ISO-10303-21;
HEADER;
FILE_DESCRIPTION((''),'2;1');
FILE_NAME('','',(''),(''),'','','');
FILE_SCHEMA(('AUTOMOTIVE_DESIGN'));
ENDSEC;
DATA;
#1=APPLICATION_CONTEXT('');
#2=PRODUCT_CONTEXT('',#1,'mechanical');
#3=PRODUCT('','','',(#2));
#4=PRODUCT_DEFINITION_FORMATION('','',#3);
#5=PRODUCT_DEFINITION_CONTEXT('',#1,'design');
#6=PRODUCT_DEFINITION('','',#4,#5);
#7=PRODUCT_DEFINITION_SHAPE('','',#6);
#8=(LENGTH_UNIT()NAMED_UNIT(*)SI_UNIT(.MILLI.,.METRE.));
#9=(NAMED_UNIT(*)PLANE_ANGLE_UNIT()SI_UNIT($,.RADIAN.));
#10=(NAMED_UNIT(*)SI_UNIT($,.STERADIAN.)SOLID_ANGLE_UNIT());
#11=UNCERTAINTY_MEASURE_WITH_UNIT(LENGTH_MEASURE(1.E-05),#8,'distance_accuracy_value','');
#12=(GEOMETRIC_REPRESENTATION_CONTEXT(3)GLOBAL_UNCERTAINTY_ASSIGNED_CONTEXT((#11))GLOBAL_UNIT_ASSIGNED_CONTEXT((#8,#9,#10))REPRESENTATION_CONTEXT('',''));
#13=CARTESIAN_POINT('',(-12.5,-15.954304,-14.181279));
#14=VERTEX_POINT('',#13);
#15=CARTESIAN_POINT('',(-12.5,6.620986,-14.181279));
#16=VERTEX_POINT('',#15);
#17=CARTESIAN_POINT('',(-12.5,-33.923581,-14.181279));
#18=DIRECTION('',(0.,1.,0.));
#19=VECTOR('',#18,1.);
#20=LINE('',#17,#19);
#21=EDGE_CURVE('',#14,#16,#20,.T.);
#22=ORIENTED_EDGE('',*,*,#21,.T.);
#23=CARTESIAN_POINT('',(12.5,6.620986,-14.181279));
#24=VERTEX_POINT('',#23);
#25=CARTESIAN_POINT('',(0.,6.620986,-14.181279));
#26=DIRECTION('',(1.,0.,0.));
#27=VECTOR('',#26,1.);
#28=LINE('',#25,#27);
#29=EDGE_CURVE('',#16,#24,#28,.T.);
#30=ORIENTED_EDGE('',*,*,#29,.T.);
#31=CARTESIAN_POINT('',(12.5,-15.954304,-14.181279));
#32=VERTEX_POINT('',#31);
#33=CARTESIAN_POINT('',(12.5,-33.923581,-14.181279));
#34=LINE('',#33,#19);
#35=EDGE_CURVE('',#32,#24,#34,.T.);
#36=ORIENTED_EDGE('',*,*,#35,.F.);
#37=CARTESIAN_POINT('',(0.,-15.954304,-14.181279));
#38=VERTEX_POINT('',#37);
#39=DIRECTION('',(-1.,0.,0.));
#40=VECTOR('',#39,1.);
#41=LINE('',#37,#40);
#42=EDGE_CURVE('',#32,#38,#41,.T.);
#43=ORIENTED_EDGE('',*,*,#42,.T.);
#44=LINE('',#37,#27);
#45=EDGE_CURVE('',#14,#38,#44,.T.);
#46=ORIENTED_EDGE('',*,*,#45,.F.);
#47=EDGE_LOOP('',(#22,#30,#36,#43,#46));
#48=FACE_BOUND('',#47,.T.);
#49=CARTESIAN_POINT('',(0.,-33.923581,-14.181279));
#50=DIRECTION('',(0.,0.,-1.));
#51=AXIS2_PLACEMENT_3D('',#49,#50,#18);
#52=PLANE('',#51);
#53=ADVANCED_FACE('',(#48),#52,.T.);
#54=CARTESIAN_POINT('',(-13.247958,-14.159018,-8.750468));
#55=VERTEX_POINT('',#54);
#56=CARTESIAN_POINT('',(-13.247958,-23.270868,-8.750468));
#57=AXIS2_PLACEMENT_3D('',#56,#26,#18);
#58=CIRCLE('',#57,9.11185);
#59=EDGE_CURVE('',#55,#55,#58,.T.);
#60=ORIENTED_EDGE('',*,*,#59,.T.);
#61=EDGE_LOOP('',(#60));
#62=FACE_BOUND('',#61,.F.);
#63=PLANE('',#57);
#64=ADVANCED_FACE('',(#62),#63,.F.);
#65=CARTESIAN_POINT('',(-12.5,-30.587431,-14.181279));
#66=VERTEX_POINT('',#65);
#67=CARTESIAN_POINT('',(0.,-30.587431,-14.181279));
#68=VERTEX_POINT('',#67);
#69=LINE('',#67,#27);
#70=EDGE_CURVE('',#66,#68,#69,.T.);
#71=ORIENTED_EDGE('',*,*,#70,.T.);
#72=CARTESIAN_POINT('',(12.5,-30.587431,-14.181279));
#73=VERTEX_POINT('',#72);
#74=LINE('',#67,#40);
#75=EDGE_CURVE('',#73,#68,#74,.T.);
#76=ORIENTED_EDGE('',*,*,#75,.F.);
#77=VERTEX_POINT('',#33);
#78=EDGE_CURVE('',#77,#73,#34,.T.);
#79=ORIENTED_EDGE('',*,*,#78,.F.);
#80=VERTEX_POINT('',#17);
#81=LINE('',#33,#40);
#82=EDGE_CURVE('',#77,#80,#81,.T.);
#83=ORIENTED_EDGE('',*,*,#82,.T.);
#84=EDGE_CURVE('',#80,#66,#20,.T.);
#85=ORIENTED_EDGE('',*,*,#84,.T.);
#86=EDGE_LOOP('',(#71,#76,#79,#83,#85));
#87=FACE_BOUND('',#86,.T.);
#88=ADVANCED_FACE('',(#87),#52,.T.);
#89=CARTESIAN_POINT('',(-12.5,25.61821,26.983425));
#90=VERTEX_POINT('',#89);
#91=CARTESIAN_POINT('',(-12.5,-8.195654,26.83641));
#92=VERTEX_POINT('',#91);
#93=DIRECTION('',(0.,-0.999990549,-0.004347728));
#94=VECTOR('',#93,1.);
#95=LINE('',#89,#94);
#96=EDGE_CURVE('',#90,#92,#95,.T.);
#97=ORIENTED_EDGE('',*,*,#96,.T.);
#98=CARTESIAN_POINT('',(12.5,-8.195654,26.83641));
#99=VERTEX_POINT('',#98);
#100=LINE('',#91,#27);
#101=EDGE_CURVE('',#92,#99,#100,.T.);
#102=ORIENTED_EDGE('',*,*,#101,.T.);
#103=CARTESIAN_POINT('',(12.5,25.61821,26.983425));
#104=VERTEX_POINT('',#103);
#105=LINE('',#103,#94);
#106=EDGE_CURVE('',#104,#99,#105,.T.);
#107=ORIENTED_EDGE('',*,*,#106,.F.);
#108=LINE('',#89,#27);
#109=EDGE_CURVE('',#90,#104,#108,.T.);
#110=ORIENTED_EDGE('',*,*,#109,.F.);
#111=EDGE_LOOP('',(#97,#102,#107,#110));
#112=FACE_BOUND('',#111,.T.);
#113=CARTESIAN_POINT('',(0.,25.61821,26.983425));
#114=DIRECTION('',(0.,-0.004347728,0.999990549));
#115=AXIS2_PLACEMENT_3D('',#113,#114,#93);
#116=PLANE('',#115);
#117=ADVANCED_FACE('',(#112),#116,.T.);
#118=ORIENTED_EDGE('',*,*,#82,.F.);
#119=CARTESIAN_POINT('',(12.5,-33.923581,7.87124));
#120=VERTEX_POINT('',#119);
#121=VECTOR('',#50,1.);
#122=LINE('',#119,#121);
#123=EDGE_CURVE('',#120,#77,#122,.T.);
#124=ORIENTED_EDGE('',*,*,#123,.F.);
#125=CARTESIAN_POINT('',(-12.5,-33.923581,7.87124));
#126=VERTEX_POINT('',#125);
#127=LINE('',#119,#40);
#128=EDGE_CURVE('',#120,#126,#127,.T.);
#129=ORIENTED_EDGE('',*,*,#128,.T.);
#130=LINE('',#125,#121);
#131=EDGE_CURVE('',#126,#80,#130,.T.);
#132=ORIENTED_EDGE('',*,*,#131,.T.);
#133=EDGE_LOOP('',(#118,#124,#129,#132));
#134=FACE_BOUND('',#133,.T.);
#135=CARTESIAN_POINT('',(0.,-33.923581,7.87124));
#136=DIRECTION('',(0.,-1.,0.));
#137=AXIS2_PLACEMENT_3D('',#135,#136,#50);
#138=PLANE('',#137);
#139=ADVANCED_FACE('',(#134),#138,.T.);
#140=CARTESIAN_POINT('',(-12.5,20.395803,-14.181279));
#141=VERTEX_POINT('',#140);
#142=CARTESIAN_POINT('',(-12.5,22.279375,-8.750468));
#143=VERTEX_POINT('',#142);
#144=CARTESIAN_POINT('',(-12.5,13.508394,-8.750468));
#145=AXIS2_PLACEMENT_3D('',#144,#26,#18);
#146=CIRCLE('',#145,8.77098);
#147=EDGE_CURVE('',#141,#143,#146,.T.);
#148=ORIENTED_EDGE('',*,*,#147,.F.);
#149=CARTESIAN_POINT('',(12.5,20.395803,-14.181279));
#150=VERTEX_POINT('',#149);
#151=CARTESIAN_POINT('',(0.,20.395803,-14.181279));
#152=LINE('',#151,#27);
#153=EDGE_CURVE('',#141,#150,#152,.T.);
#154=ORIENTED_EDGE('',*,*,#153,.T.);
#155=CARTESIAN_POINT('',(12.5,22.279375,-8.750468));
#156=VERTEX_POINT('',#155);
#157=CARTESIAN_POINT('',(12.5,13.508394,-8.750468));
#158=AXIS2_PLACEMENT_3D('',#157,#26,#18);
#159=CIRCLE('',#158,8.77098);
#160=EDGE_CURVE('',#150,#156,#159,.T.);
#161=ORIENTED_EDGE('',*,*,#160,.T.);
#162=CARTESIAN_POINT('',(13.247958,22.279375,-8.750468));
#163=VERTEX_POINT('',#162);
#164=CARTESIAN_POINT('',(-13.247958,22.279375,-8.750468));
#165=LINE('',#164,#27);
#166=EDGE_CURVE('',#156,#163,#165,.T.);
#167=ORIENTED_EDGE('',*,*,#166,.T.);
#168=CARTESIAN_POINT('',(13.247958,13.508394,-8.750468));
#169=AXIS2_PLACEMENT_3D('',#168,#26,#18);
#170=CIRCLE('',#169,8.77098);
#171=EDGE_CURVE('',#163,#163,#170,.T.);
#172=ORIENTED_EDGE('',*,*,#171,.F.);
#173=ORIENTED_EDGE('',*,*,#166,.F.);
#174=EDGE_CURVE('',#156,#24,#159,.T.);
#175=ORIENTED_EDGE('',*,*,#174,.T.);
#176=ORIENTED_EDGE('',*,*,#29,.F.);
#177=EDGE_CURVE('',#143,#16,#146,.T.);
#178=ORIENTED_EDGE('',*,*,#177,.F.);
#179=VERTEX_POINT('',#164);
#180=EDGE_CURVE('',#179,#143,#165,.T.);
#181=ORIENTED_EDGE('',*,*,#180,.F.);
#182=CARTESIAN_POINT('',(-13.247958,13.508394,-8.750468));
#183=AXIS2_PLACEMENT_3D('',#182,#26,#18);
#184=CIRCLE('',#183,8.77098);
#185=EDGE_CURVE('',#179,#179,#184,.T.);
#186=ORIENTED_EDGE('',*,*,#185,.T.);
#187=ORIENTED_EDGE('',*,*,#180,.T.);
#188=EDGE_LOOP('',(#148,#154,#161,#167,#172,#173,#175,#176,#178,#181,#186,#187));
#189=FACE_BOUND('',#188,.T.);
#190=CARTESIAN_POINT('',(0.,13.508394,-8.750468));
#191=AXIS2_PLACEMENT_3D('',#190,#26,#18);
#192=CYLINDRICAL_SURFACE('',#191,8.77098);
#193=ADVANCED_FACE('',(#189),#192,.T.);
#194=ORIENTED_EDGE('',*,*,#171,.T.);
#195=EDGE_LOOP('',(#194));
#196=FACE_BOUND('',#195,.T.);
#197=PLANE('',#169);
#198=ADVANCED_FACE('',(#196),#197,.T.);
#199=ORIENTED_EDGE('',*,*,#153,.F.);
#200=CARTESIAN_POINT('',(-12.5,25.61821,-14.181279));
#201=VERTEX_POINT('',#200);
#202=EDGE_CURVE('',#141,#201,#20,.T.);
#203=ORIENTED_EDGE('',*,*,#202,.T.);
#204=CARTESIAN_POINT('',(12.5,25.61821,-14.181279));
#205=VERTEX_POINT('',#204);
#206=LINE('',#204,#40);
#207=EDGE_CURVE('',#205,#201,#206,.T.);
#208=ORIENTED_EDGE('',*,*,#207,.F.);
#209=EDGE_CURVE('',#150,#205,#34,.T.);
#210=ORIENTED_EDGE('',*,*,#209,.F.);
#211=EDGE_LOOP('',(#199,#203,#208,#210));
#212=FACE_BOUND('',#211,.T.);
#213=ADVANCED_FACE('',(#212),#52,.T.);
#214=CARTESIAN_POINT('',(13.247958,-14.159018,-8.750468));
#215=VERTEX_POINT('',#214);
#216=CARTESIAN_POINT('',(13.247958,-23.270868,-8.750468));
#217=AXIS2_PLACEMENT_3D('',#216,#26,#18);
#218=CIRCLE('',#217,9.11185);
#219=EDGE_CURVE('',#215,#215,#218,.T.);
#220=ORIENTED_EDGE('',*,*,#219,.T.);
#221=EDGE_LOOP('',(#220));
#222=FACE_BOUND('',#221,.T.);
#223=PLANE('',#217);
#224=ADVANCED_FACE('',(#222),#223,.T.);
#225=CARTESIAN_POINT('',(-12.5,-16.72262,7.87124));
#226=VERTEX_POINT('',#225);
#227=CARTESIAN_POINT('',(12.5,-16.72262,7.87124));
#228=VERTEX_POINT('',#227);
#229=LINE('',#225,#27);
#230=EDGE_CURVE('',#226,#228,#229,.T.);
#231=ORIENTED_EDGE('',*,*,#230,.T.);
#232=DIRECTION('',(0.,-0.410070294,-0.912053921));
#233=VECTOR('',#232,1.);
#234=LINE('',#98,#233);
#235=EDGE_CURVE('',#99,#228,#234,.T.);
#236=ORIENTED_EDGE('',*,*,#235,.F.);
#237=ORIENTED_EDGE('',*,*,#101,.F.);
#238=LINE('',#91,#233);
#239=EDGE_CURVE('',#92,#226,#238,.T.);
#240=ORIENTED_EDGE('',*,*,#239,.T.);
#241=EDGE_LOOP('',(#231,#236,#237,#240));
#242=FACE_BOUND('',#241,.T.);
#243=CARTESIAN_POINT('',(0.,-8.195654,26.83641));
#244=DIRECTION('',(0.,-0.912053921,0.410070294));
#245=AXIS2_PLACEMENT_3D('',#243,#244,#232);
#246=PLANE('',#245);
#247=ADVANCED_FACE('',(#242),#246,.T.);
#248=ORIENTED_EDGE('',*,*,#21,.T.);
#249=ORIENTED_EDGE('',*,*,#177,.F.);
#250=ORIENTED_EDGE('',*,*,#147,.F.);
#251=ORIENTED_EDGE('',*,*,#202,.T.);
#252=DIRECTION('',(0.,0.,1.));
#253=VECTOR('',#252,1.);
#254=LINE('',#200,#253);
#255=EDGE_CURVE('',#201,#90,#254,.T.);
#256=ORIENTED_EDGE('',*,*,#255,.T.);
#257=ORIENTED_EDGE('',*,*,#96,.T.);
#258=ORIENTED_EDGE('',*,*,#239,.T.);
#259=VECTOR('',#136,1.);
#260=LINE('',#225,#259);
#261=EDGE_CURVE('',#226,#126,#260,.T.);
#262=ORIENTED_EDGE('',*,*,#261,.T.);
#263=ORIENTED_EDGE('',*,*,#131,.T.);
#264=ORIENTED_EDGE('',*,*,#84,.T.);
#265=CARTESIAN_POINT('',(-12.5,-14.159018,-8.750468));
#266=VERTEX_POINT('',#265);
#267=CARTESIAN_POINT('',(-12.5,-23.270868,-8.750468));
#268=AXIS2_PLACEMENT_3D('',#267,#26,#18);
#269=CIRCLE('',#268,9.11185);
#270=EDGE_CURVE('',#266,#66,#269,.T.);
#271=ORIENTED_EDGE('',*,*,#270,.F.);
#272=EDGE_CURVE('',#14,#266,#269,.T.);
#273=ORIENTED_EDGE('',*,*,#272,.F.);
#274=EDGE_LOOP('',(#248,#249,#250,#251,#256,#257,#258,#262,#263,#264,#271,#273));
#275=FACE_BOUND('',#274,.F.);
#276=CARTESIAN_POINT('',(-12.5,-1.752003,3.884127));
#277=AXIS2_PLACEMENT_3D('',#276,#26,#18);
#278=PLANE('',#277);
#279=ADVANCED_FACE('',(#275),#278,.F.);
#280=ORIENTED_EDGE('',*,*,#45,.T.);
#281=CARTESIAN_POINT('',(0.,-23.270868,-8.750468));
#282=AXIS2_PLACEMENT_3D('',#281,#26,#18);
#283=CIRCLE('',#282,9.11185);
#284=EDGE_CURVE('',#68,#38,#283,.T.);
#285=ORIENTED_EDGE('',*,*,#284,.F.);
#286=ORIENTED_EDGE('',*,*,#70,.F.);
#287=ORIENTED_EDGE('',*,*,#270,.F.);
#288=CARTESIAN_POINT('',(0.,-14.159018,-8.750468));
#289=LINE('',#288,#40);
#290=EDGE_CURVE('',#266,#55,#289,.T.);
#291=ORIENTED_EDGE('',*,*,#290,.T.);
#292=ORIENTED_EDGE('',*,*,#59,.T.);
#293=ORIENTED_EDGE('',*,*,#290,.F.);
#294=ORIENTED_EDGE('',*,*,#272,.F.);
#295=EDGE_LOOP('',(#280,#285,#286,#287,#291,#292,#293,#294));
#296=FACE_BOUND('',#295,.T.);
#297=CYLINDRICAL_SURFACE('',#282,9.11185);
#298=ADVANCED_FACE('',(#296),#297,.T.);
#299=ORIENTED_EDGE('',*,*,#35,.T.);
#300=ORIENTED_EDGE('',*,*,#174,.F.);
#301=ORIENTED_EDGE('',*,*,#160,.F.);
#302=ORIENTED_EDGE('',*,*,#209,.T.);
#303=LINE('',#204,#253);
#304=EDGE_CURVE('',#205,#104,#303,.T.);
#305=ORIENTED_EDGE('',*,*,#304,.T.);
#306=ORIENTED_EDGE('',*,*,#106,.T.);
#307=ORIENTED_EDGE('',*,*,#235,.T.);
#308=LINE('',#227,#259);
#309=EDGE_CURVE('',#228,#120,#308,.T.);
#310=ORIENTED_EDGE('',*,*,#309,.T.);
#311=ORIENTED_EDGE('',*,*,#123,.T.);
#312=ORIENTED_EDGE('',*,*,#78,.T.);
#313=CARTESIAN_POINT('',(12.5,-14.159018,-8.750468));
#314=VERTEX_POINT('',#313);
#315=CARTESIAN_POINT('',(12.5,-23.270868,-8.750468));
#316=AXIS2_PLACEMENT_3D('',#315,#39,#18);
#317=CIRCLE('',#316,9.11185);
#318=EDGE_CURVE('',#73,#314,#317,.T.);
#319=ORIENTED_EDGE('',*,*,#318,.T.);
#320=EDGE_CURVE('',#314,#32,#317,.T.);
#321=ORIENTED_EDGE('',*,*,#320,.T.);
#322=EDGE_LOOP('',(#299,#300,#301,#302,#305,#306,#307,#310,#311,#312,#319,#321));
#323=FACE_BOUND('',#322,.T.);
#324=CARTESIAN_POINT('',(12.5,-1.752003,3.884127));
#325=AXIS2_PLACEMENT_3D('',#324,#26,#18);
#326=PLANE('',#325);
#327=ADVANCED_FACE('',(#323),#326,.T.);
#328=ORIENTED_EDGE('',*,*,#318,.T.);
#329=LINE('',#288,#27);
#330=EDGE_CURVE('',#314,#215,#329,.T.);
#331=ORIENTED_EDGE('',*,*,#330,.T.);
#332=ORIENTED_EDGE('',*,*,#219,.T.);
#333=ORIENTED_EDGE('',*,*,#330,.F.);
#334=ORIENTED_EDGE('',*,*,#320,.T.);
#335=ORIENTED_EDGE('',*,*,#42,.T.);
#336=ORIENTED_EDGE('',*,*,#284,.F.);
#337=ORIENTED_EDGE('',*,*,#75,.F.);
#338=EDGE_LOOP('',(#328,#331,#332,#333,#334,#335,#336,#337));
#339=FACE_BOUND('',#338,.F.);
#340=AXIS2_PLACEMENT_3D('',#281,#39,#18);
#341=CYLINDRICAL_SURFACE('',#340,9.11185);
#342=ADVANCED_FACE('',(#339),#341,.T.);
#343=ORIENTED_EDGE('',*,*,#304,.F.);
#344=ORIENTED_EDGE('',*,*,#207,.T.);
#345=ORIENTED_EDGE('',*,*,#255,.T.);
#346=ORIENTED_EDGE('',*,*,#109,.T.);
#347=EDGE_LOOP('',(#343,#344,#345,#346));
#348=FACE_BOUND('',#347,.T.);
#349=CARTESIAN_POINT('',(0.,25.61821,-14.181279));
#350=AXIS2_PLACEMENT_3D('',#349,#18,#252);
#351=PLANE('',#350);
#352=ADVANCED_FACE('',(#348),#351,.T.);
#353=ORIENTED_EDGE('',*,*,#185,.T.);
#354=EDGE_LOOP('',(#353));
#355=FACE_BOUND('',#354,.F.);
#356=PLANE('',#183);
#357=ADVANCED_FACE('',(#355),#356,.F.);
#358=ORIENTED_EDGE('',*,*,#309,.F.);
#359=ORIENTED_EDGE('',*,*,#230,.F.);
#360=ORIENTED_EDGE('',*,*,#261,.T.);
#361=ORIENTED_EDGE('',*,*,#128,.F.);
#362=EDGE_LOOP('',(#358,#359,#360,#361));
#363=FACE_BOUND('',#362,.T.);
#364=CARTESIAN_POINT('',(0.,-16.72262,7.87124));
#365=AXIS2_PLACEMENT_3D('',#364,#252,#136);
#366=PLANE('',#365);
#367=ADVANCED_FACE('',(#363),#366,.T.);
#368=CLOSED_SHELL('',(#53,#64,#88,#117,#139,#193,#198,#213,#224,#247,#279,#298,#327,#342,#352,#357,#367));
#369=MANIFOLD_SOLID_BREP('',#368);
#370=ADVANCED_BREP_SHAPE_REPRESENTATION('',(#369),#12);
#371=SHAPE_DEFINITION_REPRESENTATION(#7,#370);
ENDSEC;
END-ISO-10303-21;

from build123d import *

# Parameters (mm, degrees)
F1_DEPTH = 12.5
F2_R     = 9.1118495461
F2_R_2   = 8.7709801572
F3_DEPTH = 13.2479583845


with BuildPart() as f1:
    # F0 (on Right) → F1 (new body, symmetric)
    with BuildSketch(Plane.YZ):
        Polygon((25.6182104349, -14.181278646), (25.6182104349, 26.9834250212), (-8.1956535578, 26.8364101648), (-16.7226195335, 7.8712403774), (-33.9235812426, 7.8712403774), (-33.9235812426, -14.181278646), align=None)
    extrude(amount=F1_DEPTH, both=True)

    # F2 (on Right) → F3 (join, symmetric)
    with BuildSketch(Plane.YZ):
        with Locations((-23.2708677649, -8.7504684925)):
            Circle(F2_R)
        with Locations((13.5083943605, -8.7504684925)):
            Circle(F2_R_2)
    extrude(amount=F3_DEPTH, both=True)


solid = f1.part
